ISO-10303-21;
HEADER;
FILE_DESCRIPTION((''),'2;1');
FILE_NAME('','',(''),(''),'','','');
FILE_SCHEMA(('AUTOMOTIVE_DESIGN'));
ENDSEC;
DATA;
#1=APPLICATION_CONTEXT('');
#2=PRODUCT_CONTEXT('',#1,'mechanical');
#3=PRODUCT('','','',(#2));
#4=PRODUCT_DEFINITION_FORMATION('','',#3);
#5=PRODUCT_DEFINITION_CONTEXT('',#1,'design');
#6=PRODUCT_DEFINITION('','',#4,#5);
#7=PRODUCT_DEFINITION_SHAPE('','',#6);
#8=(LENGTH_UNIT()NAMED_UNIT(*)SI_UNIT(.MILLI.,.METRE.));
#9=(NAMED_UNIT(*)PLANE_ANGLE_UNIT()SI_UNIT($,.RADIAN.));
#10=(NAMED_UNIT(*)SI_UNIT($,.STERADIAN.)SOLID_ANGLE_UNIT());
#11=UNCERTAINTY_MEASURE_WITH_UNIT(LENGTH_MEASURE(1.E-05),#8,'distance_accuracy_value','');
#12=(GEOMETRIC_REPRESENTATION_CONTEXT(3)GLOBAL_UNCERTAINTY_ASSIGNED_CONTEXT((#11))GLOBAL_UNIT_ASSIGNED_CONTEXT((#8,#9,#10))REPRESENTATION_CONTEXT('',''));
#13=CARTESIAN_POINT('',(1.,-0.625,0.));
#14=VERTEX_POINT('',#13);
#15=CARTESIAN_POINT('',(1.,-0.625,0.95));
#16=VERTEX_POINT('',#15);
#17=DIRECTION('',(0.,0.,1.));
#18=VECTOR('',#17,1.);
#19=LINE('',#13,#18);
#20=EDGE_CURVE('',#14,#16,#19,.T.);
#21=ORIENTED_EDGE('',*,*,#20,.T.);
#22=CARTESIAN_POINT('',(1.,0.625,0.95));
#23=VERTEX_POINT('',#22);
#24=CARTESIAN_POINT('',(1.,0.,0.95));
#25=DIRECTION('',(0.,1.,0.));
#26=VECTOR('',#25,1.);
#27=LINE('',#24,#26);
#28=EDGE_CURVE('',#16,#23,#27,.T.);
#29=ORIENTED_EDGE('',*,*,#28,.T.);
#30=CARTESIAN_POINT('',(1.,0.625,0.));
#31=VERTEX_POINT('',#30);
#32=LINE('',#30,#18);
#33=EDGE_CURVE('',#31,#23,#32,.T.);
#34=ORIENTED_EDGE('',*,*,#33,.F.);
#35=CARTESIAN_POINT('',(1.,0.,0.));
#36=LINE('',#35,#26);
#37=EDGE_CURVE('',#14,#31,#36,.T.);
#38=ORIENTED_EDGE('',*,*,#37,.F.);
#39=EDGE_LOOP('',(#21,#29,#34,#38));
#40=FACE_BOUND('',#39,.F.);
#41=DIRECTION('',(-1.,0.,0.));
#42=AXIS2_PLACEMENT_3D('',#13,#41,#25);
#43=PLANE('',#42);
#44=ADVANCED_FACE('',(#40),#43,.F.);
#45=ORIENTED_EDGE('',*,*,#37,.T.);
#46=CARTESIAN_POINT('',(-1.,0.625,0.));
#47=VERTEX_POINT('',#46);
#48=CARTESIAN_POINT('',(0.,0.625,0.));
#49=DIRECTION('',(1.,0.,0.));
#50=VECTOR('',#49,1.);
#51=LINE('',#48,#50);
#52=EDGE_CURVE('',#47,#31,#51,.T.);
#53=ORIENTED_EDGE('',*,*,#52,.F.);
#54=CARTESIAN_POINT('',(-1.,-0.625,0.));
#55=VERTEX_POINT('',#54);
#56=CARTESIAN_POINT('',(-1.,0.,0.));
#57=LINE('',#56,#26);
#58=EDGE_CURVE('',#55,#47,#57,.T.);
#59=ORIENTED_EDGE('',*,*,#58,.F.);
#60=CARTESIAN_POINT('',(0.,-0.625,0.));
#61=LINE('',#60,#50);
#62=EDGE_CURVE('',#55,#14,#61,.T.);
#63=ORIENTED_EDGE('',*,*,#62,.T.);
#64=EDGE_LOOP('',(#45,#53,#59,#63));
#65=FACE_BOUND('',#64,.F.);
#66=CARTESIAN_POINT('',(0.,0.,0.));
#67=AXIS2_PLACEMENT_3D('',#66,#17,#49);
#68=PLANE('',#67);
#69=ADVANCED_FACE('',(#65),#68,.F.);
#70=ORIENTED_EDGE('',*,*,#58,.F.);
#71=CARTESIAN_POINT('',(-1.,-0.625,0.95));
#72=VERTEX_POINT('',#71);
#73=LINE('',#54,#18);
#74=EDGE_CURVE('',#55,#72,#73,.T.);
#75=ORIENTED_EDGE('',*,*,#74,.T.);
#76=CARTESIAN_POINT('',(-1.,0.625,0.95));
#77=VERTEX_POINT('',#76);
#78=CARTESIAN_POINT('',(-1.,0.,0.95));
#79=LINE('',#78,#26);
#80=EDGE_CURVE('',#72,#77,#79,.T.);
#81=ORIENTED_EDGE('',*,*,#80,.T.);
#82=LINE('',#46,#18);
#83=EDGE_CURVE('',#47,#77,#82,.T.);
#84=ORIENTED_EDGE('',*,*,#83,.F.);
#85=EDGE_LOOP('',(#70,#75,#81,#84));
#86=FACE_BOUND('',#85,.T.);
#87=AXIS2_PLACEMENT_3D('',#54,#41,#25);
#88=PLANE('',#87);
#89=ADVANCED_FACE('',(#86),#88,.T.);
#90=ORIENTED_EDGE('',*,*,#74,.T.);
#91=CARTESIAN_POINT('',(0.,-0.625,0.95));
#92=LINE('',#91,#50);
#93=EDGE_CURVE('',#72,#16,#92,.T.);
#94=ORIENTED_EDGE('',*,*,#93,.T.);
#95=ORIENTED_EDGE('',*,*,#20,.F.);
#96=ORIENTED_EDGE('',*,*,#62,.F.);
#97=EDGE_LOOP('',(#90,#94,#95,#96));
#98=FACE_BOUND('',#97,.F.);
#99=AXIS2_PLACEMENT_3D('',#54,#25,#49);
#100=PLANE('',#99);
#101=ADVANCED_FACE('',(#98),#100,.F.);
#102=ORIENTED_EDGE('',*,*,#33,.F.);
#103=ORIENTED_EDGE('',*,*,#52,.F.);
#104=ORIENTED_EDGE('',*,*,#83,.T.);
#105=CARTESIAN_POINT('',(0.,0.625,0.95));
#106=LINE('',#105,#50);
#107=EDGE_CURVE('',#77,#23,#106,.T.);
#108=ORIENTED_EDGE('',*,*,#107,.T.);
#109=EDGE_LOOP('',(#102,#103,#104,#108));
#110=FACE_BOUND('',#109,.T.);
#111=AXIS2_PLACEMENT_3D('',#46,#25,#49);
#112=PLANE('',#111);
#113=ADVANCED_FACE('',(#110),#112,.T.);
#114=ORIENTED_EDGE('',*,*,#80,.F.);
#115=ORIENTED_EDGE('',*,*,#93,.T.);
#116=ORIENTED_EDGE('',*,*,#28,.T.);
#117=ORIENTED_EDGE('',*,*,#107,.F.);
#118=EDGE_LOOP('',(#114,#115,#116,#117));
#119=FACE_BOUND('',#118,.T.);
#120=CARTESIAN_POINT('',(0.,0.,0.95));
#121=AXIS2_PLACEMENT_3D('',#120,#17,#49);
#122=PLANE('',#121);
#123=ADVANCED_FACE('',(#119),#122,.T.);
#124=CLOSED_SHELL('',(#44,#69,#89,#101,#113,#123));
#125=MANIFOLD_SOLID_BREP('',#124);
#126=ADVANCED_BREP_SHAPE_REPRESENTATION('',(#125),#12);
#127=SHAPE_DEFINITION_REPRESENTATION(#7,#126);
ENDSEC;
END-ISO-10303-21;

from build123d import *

# Parameters (mm, degrees)
SKETCH_W  = 2
SKETCH_H  = 1.25
PAD_DEPTH = 0.95


with BuildPart() as part:
    # Sketch → Pad (new body)
    with BuildSketch(Plane.XY):
        Rectangle(SKETCH_W, SKETCH_H)
    extrude(amount=PAD_DEPTH)


solid = part.part
